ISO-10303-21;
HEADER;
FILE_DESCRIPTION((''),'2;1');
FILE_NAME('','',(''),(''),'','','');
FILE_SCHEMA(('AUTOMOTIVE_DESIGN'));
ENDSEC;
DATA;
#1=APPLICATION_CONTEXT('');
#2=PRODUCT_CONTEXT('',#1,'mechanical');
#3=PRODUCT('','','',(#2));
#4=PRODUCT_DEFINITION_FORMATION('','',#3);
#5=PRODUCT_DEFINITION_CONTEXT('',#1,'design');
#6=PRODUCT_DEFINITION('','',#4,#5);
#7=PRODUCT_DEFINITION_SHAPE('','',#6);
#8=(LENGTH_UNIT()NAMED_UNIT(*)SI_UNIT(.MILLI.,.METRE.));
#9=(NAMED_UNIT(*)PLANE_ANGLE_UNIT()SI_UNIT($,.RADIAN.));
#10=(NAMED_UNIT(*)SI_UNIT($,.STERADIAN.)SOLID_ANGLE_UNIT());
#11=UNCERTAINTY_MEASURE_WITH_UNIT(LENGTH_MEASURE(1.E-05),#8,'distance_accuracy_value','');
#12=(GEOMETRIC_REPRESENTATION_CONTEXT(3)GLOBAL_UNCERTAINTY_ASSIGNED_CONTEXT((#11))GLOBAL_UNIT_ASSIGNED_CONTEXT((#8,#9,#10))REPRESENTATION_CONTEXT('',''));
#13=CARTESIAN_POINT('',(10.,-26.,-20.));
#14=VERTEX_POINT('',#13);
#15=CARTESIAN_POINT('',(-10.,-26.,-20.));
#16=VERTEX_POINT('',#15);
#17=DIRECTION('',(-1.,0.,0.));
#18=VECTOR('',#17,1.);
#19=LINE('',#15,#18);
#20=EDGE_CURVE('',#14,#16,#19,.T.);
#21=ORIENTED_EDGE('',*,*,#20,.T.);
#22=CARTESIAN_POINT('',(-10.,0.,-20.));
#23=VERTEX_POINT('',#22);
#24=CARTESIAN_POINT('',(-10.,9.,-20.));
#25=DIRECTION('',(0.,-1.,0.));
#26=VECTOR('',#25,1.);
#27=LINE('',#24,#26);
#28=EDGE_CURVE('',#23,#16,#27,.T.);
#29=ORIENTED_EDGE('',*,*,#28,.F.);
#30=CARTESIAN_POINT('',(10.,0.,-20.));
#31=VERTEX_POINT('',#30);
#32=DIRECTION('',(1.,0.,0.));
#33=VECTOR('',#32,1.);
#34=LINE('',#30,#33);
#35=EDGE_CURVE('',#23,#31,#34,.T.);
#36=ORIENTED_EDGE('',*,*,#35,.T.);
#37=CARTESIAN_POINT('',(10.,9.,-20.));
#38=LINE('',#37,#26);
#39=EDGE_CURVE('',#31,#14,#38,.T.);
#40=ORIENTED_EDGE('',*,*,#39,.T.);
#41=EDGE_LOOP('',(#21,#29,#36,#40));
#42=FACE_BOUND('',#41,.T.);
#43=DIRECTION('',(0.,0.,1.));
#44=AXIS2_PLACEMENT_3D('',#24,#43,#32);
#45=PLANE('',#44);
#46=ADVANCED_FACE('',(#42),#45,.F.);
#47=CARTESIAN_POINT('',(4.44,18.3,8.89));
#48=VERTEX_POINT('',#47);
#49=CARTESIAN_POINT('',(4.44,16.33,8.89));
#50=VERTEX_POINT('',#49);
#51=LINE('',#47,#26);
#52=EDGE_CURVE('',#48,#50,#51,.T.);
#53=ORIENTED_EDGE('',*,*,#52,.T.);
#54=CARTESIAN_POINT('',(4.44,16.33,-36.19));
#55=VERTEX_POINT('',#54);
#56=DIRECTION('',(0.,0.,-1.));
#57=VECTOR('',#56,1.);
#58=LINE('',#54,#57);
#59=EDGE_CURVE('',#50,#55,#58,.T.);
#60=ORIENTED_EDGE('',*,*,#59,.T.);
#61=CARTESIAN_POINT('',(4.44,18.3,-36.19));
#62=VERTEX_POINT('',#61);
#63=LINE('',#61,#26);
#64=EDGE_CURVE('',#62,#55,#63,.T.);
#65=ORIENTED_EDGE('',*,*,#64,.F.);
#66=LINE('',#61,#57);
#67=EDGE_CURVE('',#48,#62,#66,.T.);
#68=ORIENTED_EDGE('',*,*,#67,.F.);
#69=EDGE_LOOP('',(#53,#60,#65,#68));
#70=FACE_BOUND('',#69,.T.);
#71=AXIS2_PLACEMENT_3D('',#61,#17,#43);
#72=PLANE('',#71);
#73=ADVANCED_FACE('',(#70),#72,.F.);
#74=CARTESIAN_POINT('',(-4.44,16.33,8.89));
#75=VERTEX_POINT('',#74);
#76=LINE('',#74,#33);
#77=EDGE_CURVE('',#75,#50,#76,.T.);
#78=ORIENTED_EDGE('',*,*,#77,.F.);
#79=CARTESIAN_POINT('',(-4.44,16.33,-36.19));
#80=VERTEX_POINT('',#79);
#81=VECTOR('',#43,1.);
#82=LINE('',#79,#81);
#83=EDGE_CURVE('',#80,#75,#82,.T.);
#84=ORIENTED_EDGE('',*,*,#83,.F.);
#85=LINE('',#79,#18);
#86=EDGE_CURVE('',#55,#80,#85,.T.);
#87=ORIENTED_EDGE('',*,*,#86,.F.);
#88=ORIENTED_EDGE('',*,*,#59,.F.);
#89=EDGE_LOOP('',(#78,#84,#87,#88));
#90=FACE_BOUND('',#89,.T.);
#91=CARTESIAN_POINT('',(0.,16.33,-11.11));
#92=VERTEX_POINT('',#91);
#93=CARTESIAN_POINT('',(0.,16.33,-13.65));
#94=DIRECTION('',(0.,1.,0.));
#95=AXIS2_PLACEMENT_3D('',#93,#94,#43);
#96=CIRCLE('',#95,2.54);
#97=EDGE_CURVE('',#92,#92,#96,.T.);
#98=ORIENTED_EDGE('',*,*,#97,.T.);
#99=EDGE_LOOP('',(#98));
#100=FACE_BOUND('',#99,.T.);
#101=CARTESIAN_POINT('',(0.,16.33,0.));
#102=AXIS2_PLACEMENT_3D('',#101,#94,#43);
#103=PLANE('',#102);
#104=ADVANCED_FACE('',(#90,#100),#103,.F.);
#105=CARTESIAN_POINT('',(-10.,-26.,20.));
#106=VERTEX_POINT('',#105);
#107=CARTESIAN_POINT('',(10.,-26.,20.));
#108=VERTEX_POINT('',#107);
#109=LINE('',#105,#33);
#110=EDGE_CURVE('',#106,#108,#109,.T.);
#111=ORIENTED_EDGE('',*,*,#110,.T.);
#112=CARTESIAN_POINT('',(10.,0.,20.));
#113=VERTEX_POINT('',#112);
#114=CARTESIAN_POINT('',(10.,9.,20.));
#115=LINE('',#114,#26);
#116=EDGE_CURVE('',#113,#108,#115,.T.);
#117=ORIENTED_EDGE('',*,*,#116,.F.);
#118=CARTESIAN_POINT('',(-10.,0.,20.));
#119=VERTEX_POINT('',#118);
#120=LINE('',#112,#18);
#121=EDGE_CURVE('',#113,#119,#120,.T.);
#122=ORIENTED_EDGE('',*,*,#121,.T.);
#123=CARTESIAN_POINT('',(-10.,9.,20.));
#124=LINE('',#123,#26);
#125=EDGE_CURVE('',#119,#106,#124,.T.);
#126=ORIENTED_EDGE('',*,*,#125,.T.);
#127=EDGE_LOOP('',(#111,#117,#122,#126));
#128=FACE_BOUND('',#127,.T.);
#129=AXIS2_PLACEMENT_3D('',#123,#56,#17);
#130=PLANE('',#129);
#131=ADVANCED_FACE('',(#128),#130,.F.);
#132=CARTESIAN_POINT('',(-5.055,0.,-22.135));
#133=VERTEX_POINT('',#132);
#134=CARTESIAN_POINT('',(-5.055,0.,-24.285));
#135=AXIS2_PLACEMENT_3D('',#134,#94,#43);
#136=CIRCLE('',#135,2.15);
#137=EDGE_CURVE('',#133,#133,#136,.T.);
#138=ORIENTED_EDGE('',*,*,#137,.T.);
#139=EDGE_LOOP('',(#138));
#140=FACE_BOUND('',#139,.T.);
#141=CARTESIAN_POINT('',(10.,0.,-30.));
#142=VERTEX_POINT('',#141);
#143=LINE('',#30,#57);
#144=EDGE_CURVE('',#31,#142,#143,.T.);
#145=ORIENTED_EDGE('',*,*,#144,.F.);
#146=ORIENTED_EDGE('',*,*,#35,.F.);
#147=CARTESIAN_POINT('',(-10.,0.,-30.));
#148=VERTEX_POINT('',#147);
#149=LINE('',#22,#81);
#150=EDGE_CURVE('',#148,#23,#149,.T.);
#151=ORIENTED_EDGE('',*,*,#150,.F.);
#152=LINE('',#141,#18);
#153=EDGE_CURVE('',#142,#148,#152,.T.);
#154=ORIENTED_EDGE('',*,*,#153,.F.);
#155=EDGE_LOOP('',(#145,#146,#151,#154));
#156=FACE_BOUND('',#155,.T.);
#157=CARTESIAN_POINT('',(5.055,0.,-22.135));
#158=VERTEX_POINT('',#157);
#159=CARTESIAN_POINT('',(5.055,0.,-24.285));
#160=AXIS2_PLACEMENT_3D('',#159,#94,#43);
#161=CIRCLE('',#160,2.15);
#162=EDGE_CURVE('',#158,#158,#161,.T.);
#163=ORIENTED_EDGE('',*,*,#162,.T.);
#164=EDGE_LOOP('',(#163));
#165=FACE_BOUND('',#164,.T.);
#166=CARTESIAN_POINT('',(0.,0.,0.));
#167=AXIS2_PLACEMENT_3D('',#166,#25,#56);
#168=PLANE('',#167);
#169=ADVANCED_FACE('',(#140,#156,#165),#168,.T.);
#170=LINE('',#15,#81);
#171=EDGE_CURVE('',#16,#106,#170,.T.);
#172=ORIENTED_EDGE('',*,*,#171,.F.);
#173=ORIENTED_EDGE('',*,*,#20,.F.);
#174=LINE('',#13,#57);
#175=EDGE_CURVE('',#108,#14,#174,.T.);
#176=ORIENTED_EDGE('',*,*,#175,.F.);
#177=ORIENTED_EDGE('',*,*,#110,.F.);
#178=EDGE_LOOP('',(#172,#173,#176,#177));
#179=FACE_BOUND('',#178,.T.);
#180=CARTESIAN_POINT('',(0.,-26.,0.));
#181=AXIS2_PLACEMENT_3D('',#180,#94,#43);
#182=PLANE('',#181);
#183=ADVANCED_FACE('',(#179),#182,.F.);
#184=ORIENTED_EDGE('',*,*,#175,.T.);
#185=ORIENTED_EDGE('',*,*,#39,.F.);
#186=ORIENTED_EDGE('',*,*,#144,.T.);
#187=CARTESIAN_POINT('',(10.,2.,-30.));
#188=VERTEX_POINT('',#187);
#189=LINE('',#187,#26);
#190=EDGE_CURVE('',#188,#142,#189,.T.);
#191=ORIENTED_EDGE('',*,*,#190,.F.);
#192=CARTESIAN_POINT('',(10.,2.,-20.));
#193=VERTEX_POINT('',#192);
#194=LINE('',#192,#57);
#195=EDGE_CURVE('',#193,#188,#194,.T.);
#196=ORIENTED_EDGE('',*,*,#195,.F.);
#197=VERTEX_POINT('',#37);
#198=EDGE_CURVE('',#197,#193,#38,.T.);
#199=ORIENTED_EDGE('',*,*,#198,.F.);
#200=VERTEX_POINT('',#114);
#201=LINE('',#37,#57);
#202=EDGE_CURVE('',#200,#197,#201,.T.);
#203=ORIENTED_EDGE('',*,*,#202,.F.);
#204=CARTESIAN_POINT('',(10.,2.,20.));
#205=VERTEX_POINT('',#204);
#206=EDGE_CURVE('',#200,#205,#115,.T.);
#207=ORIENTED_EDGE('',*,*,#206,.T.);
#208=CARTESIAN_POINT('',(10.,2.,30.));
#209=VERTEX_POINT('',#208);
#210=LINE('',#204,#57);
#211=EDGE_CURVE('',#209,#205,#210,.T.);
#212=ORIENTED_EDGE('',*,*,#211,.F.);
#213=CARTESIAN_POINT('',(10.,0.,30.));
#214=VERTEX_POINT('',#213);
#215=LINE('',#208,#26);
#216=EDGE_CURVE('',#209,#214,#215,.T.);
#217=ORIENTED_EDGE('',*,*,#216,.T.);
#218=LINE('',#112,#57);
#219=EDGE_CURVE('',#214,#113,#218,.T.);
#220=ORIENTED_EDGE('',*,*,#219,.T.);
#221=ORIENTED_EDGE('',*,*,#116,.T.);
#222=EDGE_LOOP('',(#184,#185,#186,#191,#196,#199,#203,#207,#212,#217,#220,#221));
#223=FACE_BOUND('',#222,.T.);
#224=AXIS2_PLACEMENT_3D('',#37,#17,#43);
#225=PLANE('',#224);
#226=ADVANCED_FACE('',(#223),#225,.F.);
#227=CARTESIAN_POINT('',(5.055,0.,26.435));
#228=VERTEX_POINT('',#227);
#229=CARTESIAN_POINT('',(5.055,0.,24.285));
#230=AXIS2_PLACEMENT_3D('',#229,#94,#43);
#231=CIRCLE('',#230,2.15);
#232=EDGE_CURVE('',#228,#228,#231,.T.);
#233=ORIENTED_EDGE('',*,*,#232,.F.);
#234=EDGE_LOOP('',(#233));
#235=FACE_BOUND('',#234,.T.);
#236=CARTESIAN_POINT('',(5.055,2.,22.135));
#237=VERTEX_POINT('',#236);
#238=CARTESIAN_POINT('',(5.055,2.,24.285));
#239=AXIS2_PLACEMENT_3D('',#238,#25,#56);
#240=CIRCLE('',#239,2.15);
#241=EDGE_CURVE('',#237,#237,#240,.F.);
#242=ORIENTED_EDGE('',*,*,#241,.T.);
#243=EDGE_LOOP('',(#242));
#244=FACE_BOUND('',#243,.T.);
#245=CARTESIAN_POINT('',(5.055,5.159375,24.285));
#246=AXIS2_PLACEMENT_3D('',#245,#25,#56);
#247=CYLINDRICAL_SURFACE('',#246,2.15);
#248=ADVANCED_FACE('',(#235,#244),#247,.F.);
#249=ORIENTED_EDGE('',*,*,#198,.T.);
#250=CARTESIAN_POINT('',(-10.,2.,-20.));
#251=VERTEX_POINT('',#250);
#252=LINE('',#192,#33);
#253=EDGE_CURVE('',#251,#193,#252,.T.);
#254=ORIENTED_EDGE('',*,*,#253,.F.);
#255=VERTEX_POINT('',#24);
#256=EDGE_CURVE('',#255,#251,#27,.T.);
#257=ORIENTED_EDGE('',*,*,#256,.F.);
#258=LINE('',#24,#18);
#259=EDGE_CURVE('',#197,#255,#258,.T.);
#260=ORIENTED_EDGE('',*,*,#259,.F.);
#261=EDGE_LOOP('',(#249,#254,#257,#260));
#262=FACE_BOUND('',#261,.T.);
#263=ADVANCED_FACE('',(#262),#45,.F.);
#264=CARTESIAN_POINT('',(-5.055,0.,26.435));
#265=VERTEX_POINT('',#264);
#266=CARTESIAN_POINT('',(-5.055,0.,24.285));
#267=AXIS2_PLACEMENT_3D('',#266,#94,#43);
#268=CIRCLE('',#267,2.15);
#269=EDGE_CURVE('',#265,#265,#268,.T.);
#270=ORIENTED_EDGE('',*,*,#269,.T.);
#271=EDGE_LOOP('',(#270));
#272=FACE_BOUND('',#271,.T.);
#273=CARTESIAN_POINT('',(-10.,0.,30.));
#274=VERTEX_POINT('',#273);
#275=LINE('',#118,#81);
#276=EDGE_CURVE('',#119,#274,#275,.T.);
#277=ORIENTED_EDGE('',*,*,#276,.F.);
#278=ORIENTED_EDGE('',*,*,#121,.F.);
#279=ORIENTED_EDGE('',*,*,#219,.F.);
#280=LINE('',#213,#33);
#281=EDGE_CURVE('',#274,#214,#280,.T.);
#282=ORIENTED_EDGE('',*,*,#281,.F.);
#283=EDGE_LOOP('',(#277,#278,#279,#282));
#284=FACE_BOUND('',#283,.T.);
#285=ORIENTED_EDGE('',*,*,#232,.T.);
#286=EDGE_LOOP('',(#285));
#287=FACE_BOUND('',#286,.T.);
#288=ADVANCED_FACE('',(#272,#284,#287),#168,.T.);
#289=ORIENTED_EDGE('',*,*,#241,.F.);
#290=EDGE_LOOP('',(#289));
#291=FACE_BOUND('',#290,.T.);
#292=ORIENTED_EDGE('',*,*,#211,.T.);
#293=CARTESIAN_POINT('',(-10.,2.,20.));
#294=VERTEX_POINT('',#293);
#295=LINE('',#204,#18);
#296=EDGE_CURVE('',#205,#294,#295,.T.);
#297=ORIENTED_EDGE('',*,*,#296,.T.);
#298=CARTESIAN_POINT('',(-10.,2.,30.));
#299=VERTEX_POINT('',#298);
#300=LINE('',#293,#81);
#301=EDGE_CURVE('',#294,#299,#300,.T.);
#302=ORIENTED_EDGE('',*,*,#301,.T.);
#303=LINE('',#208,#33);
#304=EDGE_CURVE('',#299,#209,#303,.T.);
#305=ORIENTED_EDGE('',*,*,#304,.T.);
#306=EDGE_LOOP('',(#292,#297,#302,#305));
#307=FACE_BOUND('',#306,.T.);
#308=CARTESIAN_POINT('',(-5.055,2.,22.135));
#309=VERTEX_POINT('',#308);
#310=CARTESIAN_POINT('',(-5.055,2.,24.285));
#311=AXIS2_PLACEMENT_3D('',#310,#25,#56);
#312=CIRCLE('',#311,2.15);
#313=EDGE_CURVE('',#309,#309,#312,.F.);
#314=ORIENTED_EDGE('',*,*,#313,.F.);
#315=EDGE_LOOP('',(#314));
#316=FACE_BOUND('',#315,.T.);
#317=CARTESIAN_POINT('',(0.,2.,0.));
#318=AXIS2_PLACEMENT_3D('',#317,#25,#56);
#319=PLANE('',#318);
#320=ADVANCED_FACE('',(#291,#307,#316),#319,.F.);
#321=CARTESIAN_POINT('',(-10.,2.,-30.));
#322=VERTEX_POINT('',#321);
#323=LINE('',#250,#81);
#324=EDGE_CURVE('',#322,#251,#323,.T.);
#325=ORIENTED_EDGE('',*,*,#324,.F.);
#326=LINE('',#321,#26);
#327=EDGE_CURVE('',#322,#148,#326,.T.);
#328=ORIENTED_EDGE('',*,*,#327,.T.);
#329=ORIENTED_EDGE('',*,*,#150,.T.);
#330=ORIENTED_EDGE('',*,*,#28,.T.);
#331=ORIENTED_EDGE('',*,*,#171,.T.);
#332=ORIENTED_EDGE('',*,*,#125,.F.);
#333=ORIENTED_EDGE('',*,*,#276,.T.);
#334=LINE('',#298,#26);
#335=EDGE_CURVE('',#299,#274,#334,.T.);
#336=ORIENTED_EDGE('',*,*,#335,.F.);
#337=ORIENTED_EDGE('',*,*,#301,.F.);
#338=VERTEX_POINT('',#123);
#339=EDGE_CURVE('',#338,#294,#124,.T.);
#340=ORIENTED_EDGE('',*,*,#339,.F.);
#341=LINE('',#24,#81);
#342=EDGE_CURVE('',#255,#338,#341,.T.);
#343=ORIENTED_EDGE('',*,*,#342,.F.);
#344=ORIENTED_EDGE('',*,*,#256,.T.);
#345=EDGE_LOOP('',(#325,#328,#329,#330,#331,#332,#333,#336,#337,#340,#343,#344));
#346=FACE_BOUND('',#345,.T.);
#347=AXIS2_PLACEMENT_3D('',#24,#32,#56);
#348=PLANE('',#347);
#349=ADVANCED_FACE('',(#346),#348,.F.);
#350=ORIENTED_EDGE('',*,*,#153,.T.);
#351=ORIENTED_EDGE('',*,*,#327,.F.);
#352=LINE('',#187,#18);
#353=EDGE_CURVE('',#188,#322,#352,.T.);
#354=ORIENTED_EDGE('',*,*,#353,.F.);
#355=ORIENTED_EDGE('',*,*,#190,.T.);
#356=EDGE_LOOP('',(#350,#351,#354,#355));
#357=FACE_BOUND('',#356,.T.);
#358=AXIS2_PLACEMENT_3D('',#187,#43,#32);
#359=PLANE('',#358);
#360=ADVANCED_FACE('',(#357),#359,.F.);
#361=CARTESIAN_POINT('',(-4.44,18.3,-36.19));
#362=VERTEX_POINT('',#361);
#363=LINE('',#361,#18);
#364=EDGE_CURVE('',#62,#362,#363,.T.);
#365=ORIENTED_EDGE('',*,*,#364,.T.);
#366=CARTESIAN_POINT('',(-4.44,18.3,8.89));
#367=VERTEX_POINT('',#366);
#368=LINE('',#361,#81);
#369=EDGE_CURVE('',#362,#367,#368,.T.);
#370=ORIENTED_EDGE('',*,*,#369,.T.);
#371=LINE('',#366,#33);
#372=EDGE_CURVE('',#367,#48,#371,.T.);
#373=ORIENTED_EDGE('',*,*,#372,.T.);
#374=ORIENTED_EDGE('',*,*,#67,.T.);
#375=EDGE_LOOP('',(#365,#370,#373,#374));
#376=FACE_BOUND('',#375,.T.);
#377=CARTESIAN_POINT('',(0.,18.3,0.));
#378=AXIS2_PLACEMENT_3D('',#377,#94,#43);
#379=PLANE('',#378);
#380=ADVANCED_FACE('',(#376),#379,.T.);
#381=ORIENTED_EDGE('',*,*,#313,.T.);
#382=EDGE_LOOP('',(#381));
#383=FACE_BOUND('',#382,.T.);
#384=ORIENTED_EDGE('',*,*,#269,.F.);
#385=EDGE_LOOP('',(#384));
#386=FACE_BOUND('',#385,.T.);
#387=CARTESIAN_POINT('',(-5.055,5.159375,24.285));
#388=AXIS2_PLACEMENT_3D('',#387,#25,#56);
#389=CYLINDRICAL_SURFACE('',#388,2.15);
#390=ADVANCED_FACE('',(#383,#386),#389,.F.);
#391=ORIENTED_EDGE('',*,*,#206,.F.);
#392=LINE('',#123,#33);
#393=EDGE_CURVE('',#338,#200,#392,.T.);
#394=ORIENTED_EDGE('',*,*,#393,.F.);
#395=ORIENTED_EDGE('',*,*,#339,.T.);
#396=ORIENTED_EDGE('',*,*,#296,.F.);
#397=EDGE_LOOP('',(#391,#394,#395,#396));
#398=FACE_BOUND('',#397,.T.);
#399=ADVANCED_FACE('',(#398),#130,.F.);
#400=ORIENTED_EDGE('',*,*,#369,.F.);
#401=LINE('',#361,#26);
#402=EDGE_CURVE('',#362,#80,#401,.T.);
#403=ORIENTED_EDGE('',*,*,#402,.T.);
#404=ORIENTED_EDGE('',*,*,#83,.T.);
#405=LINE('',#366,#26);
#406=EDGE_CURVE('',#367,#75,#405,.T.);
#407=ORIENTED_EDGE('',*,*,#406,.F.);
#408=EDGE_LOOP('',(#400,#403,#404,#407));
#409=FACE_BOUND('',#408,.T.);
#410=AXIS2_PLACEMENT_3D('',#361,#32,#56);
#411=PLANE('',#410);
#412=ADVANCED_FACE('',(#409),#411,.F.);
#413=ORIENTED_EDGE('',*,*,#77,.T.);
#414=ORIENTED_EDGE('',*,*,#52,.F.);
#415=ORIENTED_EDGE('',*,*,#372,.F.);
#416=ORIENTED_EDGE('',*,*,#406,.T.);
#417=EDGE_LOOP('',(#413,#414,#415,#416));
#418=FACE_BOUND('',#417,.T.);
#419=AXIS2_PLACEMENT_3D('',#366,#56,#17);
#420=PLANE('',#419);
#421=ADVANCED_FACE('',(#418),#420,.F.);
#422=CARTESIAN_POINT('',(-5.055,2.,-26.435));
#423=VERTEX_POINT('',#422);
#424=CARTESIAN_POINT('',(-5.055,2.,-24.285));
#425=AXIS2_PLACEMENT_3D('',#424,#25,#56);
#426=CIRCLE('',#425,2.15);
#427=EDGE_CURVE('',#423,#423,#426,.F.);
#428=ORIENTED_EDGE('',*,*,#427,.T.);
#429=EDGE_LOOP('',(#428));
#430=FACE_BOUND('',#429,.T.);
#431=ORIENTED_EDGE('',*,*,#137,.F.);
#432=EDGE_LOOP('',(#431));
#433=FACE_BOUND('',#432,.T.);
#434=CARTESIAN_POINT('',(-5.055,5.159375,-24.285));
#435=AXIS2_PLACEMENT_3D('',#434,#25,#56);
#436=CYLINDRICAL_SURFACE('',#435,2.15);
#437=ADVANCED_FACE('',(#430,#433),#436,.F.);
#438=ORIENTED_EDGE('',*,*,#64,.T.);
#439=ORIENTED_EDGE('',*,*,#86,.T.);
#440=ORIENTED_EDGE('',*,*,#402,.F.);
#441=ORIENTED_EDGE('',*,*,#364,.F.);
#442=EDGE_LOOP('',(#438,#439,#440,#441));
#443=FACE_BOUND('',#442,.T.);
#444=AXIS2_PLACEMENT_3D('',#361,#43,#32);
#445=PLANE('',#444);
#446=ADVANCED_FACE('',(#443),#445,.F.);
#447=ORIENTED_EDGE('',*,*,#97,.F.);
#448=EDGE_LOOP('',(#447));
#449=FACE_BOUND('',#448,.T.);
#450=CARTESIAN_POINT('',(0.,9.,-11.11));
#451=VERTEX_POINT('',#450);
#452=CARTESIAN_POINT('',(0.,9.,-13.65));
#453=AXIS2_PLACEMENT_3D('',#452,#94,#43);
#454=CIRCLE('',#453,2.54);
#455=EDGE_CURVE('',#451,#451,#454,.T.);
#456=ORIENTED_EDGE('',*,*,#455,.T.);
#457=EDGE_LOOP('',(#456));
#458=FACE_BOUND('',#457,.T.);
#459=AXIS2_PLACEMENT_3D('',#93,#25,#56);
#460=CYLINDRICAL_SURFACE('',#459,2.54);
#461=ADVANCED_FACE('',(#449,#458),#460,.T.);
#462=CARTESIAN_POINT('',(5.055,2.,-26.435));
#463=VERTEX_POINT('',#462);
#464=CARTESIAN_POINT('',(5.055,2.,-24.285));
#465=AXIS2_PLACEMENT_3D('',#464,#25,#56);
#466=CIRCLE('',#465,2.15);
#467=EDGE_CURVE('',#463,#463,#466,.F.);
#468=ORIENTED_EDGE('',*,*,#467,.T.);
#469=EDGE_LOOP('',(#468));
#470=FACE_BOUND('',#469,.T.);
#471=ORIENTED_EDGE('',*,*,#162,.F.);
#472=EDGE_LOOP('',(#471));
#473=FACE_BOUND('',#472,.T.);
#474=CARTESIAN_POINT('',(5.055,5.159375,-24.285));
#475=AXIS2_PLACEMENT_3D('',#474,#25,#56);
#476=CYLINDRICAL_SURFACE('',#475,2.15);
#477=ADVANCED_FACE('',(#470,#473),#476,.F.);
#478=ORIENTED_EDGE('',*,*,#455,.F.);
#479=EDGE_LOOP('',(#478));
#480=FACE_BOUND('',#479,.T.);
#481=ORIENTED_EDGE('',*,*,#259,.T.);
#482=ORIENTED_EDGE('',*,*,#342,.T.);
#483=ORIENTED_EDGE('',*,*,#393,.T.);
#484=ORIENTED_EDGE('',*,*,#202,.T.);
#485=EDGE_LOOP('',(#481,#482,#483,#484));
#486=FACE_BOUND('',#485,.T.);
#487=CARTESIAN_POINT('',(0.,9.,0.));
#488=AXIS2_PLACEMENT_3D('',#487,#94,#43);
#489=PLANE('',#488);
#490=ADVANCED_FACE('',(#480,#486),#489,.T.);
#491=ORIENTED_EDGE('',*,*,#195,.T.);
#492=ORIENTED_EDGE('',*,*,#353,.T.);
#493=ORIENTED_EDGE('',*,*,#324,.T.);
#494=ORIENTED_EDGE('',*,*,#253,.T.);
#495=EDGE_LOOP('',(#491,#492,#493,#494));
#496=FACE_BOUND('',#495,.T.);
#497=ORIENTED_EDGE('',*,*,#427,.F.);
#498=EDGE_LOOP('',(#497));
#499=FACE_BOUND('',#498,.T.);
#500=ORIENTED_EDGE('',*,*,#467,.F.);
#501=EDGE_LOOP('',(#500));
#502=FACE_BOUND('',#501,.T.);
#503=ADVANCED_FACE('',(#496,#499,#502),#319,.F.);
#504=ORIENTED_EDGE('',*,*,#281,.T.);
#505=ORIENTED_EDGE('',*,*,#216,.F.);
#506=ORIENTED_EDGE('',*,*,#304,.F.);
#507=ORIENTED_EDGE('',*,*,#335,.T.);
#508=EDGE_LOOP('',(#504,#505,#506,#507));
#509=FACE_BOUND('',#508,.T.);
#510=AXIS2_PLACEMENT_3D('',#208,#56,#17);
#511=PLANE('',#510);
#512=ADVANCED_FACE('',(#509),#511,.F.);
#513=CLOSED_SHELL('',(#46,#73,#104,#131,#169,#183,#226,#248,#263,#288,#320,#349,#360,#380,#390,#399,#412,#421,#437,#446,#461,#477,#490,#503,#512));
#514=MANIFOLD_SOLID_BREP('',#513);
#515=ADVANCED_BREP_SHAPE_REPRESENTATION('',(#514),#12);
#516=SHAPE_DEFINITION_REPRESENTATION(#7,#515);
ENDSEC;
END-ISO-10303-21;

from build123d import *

# Parameters (mm, degrees)
BOSS_EXTRUDE1_DEPTH      = 9
BOSS_EXTRUDE1_DEPTH_BACK = 26
SKETCH1_W                = 20
SKETCH1_H                = 40
SKETCH2_R                = 2.54
BOSS_EXTRUDE2_DEPTH      = 7.33
SKETCH3_W                = 8.88
SKETCH3_H                = 45.08
BOSS_EXTRUDE3_DEPTH      = 1.97
SKETCH6_W                = 20
SKETCH6_H                = 10
BOSS_EXTRUDE5_DEPTH      = 2
SKETCH8_R                = 2.15
CUT_EXTRUDE1_DEPTH       = 5.159375


with BuildPart() as part:
    # Sketch1 → Boss-Extrude1 (new, two sides: drawn at the far end of the back side and taken through both)
    with BuildSketch(Plane(origin=(0, 0, 0), x_dir=(1, 0, 0), z_dir=(0, 1, 0)).offset(-BOSS_EXTRUDE1_DEPTH_BACK)):
        Rectangle(SKETCH1_W, SKETCH1_H)
    extrude(amount=BOSS_EXTRUDE1_DEPTH + BOSS_EXTRUDE1_DEPTH_BACK)

    # Sketch2 → Boss-Extrude2 (add)
    with BuildSketch(Plane(origin=(0, 9, 0), x_dir=(1, 0, 0), z_dir=(0, 1, 0))):
        with Locations((0, 13.65)):
            Circle(SKETCH2_R)
    extrude(amount=BOSS_EXTRUDE2_DEPTH)

    # Sketch3 → Boss-Extrude3 (add)
    with BuildSketch(Plane(origin=(0, 16.33, 0), x_dir=(1, 0, 0), z_dir=(0, 1, 0))):
        with Locations((0, 13.65)):
            Rectangle(SKETCH3_W, SKETCH3_H)
    extrude(amount=BOSS_EXTRUDE3_DEPTH)

    # Sketch6 → Boss-Extrude5 (add)
    with BuildSketch(Plane(origin=(0, 0, 0), x_dir=(1, 0, 0), z_dir=(0, 1, 0))):
        with Locations((0, -25)):
            Rectangle(SKETCH6_W, SKETCH6_H)
        with Locations((0, 25)):
            Rectangle(SKETCH6_W, SKETCH6_H)
    extrude(amount=BOSS_EXTRUDE5_DEPTH)

    # Sketch8 → Cut-Extrude1 (cut)
    with BuildSketch(Plane(origin=(0, 0, 0), x_dir=(1, 0, 0), z_dir=(0, 1, 0))):
        with Locations((5.055, -24.285)):
            Circle(SKETCH8_R)
        with Locations((-5.055, -24.285)):
            Circle(SKETCH8_R)
        with Locations((5.055, 24.285)):
            Circle(SKETCH8_R)
        with Locations((-5.055, 24.285)):
            Circle(SKETCH8_R)
    extrude(amount=CUT_EXTRUDE1_DEPTH, mode=Mode.SUBTRACT)


solid = part.part
